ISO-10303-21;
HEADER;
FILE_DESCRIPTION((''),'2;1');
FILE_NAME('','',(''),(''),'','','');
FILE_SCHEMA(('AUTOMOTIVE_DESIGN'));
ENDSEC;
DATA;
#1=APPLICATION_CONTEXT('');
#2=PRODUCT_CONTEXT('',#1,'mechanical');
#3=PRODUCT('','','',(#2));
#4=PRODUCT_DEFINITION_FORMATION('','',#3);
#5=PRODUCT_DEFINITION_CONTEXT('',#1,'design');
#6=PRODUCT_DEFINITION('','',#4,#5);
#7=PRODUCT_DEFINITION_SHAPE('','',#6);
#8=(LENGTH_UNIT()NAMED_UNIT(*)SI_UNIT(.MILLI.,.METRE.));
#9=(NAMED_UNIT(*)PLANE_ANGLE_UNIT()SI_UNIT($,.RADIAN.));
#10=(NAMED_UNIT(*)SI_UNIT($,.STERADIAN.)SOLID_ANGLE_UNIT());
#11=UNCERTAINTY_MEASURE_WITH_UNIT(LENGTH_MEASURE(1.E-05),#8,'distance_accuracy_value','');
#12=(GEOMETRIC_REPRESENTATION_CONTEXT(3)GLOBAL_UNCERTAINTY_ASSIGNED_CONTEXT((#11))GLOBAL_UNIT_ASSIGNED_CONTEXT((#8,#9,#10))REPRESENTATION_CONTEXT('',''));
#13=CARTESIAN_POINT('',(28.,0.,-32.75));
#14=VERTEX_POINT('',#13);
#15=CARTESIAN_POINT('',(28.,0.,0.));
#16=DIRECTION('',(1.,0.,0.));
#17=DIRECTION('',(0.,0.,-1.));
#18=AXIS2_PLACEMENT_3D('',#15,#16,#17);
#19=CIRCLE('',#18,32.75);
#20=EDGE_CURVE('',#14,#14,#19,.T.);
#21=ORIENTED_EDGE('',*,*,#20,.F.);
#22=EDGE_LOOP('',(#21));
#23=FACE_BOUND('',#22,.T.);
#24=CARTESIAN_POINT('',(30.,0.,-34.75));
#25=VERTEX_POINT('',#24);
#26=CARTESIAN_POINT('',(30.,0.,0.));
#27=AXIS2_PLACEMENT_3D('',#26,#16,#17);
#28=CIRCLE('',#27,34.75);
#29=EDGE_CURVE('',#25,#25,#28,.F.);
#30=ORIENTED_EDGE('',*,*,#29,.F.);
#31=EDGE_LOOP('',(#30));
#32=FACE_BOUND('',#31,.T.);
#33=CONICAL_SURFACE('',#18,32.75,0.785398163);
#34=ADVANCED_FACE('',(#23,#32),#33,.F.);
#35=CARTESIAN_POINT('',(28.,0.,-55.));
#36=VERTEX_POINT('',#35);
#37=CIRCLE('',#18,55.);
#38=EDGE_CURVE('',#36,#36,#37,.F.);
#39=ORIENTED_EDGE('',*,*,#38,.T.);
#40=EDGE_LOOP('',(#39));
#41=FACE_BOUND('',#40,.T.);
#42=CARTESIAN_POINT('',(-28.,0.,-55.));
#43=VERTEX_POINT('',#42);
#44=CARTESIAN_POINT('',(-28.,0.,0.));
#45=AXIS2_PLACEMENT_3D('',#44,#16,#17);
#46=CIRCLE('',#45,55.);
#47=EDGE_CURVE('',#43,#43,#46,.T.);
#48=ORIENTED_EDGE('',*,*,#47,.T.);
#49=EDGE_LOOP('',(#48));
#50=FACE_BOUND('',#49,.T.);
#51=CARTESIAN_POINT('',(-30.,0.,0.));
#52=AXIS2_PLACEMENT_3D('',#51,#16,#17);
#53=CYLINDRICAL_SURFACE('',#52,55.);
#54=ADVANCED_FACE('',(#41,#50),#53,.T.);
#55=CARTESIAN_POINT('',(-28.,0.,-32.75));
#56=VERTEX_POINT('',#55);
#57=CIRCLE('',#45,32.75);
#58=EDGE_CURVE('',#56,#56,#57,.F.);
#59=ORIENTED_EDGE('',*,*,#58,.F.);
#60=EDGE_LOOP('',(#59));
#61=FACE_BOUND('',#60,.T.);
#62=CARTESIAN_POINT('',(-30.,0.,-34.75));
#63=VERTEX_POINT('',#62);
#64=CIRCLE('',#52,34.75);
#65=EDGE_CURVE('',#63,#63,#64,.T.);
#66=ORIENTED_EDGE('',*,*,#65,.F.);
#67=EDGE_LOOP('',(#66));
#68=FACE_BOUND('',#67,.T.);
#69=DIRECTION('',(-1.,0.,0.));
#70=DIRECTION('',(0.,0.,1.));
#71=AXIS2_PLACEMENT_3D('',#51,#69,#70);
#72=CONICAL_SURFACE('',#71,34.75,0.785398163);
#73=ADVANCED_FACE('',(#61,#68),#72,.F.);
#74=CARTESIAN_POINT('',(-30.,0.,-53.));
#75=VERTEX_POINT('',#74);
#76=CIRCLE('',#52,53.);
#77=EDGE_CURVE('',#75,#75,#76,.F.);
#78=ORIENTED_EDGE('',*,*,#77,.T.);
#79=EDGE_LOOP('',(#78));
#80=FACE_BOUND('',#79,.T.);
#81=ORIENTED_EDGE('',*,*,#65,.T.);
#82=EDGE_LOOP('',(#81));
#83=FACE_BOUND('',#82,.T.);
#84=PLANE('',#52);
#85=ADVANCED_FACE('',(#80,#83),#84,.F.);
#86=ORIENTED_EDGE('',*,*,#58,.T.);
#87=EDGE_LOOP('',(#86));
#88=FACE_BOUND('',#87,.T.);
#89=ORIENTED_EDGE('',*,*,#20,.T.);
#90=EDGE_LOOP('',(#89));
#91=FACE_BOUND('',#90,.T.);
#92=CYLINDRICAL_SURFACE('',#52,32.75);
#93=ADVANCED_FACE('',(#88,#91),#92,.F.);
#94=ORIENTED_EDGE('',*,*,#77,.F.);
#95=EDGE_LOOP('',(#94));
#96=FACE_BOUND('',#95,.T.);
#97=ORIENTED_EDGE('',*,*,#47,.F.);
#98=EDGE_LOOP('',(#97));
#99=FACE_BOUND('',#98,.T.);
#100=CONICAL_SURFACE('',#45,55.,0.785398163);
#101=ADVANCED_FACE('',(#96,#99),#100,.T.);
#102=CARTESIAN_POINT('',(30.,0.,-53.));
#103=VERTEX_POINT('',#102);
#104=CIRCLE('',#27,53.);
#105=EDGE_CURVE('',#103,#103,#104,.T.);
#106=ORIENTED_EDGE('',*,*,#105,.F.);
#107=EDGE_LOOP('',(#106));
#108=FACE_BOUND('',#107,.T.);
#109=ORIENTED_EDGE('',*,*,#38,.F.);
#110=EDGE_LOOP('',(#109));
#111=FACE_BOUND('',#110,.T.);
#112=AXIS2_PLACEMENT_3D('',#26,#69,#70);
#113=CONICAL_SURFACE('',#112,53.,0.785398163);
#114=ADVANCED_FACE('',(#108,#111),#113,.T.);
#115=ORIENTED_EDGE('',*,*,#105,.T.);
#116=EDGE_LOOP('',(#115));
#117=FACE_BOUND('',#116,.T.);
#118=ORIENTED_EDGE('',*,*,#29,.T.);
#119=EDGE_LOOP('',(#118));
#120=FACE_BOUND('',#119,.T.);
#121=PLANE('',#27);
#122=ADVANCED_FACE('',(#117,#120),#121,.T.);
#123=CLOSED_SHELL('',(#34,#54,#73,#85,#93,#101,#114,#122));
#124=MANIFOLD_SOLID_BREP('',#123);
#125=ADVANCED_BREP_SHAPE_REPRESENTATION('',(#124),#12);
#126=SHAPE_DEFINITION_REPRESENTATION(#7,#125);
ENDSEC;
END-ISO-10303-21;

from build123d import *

# Parameters (mm, degrees)
SKETCH1_R          = 55
SKETCH1_R_2        = 30
EXTRUDE1_DEPTH     = 30
SKETCH2_R          = 32.75
MACHINE_DEPTH      = 30
CHAMFER_OUTER_SIZE = 2
CHAMFER_INNER_SIZE = 2


with BuildPart() as part:
    # Sketch1 → Extrude1 (new body, symmetric)
    with BuildSketch(Plane(origin=(0, 0, 0), x_dir=(0, 0, -1), z_dir=(1, 0, 0))):
        Circle(SKETCH1_R)
        Circle(SKETCH1_R_2, mode=Mode.SUBTRACT)
    extrude(amount=EXTRUDE1_DEPTH, both=True)

    # Sketch2 → Machine (cut, symmetric)
    with BuildSketch(Plane(origin=(0, 0, 0), x_dir=(0, 0, -1), z_dir=(1, 0, 0))):
        Circle(SKETCH2_R)
    extrude(amount=MACHINE_DEPTH, both=True, mode=Mode.SUBTRACT)

    # Chamfer-Outer
    chamfer_outer_edges = [part.edges().sort_by_distance(p)[0] for p in [
        (30, 0, 55),
        (-30, 0, 55),
    ]]
    chamfer(chamfer_outer_edges, length=CHAMFER_OUTER_SIZE)

    # Chamfer-Inner
    chamfer_inner_edges = [part.edges().sort_by_distance(p)[0] for p in [
        (30, 0, 32.75),
        (-30, 0, 32.75),
    ]]
    chamfer(chamfer_inner_edges, length=CHAMFER_INNER_SIZE)


solid = part.part
